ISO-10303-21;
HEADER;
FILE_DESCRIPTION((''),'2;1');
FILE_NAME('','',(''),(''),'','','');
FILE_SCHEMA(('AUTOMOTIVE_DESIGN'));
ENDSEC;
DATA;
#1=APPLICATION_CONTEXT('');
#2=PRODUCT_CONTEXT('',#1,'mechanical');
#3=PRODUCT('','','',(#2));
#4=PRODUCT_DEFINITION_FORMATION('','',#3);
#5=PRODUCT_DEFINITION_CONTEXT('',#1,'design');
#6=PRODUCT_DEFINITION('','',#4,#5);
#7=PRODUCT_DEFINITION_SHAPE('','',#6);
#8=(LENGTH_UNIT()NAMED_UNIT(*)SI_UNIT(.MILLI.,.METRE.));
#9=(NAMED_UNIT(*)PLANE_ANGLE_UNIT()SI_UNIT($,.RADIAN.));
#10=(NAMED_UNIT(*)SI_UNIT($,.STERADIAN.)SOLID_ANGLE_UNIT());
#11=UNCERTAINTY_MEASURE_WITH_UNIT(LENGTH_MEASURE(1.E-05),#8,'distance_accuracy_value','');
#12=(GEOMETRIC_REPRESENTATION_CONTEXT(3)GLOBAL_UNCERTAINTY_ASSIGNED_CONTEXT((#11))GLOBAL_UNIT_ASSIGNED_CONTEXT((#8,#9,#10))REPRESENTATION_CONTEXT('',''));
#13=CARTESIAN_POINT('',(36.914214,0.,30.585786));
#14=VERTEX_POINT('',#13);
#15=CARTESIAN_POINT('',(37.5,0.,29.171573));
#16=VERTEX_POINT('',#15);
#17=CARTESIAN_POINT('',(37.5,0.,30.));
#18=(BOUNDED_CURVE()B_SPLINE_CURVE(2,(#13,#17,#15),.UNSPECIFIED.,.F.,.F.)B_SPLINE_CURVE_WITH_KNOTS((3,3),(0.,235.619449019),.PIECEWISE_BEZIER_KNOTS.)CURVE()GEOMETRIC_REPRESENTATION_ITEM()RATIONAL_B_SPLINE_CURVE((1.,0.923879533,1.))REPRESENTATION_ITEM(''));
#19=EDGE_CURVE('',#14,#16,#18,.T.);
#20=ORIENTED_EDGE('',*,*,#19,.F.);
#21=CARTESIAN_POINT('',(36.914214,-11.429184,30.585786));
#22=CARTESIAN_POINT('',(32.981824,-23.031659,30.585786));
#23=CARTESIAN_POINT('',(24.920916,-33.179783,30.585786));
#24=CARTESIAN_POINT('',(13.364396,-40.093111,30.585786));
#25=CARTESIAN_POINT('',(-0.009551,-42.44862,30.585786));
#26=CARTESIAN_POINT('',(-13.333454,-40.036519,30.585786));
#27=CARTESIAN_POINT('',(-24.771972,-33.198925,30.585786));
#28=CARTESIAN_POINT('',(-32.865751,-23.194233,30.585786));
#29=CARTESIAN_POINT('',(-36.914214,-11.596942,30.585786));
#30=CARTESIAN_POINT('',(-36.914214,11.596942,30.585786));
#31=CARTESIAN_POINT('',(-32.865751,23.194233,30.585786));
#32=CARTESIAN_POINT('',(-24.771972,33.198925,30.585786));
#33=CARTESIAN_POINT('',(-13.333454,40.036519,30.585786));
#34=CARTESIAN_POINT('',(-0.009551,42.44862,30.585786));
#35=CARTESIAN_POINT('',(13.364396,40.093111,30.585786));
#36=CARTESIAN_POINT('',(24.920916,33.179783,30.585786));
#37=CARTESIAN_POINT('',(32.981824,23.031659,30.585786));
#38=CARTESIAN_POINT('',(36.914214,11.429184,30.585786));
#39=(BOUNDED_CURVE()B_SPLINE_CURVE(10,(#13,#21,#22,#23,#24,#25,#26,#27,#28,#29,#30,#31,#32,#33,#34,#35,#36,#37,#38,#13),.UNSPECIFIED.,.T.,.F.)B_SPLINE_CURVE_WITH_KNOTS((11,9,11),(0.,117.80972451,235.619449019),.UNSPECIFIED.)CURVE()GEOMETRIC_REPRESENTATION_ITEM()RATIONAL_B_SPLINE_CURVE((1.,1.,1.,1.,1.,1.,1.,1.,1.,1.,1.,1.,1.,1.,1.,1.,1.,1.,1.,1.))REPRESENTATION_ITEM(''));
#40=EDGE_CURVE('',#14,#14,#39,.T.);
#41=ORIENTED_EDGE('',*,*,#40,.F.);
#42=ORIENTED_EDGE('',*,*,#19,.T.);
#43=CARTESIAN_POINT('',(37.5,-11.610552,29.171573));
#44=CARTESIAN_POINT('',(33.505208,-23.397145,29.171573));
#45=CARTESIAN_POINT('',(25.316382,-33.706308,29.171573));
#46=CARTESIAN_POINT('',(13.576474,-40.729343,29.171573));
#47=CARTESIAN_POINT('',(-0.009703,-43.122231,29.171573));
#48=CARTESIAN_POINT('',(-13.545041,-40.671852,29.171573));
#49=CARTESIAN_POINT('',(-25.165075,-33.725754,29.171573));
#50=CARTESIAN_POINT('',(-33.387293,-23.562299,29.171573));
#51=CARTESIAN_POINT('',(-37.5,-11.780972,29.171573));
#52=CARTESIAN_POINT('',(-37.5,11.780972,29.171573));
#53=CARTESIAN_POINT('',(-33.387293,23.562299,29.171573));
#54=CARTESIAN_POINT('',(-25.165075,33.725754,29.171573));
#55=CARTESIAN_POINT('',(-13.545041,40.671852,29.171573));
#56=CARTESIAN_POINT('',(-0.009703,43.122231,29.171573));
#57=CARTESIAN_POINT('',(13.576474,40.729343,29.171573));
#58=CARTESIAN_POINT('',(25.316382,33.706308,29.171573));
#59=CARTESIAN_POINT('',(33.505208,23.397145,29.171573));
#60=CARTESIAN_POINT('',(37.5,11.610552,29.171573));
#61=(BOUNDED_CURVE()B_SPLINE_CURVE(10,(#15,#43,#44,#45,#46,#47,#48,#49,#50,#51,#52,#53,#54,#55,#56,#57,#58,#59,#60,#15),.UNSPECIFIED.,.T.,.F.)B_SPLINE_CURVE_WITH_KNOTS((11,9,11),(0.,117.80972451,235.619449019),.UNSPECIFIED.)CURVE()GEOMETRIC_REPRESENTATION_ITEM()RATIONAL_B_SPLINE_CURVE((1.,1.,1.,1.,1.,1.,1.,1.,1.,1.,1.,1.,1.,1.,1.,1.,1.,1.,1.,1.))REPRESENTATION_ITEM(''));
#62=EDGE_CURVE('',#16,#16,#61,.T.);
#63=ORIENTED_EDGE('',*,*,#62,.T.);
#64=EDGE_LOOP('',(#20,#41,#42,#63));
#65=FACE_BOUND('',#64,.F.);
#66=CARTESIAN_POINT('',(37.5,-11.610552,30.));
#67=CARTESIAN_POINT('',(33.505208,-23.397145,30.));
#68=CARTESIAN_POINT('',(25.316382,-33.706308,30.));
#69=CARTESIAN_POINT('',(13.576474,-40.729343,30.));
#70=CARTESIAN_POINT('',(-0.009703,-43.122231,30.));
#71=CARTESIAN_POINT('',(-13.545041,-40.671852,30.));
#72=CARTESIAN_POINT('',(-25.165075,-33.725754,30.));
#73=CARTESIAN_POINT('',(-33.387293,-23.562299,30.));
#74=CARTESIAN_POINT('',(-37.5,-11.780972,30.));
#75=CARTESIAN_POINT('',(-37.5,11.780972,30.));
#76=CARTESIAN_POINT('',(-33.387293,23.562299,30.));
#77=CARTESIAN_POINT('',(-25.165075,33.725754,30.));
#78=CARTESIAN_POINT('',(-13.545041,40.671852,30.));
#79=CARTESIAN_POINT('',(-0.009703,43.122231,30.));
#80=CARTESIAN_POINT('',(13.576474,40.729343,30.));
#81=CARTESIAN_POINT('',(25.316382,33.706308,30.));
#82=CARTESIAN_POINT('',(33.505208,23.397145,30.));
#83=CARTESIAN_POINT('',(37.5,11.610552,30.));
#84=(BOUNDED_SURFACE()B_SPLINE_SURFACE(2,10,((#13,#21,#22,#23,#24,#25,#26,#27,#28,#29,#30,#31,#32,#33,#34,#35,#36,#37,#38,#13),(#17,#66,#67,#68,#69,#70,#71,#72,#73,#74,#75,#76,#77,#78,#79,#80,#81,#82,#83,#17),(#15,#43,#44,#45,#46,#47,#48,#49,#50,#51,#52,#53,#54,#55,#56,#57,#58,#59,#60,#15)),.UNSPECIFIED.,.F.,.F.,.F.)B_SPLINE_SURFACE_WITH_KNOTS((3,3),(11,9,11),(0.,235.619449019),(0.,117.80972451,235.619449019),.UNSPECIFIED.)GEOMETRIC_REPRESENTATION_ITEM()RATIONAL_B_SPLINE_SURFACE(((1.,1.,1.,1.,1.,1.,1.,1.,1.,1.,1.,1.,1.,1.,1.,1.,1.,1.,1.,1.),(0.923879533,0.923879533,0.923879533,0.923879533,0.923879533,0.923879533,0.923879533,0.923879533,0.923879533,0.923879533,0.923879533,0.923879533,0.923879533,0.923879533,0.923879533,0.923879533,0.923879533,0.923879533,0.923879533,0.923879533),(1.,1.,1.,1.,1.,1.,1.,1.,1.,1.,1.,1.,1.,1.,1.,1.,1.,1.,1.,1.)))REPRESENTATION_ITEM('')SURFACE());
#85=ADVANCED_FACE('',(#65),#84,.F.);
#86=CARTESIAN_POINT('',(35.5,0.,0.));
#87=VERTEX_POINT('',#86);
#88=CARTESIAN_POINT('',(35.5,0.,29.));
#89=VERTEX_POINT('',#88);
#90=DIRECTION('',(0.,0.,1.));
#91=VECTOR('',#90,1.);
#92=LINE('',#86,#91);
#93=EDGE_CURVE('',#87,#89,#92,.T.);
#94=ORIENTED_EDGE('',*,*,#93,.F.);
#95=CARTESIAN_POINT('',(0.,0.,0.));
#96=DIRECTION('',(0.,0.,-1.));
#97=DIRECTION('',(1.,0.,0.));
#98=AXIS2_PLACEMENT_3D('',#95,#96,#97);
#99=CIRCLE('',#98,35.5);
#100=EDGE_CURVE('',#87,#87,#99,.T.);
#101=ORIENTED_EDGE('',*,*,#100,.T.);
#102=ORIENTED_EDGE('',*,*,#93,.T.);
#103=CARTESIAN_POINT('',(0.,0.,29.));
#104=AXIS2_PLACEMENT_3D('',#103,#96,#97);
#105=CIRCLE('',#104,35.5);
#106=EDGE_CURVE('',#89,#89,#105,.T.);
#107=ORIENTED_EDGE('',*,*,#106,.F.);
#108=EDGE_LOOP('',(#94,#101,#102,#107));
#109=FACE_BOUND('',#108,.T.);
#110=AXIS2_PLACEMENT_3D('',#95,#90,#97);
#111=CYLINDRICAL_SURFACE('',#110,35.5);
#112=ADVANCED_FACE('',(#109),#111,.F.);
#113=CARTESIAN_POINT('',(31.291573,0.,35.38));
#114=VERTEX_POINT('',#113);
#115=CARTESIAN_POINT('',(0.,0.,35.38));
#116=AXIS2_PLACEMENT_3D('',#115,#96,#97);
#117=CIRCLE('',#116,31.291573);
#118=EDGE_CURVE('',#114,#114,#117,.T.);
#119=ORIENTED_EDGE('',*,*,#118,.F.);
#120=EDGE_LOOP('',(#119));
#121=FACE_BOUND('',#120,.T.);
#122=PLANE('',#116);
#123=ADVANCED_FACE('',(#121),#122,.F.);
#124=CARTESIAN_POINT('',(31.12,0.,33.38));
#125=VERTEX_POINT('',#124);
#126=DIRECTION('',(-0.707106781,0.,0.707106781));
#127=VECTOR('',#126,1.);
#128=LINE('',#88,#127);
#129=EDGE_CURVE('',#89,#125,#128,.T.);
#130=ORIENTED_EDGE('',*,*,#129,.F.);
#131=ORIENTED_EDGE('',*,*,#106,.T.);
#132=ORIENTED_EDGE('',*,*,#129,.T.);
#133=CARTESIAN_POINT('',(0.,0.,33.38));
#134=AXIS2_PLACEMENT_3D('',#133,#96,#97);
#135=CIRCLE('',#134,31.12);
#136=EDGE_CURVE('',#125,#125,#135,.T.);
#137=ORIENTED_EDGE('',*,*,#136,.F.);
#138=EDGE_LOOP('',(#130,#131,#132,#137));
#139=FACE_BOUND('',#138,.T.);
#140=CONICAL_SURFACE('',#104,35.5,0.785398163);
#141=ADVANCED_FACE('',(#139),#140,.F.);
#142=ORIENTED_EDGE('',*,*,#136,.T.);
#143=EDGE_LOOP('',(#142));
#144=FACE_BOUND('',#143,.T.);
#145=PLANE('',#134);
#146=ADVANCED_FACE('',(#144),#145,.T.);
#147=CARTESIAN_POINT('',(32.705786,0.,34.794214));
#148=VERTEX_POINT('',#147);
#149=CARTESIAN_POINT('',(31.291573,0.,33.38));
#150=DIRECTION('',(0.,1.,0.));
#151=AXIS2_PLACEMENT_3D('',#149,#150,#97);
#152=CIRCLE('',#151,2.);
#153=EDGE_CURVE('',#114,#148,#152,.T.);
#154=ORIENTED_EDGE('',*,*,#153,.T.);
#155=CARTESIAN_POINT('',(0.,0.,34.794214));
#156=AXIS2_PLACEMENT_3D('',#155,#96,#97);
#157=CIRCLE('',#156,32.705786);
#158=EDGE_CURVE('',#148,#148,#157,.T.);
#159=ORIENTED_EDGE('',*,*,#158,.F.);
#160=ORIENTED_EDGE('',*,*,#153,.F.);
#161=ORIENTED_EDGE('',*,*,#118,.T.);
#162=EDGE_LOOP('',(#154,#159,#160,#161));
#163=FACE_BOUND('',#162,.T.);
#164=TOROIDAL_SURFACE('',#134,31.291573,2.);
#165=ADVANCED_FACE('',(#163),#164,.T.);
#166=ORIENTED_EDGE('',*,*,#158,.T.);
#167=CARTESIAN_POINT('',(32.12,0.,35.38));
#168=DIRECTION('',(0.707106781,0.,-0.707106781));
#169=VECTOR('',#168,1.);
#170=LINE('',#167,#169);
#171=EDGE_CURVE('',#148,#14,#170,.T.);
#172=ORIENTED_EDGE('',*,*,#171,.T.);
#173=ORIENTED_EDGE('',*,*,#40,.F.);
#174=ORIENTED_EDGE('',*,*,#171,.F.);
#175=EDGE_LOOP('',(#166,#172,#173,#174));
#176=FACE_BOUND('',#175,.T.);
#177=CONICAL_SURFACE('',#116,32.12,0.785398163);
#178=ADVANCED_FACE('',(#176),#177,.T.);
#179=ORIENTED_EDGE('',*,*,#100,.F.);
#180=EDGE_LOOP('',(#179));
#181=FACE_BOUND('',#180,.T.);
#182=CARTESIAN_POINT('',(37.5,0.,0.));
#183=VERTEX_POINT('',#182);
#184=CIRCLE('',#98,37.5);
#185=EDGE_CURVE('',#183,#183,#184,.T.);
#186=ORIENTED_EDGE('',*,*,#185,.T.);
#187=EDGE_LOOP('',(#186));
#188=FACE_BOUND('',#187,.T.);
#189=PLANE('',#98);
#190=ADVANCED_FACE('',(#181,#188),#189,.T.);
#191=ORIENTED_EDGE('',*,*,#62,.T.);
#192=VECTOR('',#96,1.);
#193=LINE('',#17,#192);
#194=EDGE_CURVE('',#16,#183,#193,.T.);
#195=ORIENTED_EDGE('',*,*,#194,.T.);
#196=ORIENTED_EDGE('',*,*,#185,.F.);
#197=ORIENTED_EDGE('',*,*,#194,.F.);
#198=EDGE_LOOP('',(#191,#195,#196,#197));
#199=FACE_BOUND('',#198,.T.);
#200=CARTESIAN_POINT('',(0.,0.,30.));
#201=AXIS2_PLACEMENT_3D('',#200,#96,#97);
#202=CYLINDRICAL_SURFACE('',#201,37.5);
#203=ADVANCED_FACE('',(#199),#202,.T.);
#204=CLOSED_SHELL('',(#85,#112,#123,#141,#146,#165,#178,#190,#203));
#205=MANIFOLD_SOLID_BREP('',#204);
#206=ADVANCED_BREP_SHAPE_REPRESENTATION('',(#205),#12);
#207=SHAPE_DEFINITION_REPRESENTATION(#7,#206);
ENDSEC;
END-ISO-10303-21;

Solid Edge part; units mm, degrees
sketch "Sketch1" plane through (0, 0, 0) normal (0, -1, 0) x (1, 0, 0)
  line L0 (37.5, 0) -> (35.5, 0)
  line L1 (35.5, 0) -> (35.5, 29)
  line L2 (35.5, 29) -> (31.12, 33.38)
  line L3 (31.12, 33.38) -> (0, 33.38)
  line L4 (0, 33.38) -> (0, 35.38)
  line L5 (0, 35.38) -> (32.12, 35.38)
  line L6 (32.12, 35.38) -> (37.5, 30)
  line L7 (37.5, 30) -> (37.5, 0)
  dimension "D1" = 37.5
  dimension "D2" = 30
  dimension "D3" = 2
  dimension "D4" = 1
revolve "RevolvedProtrusion1" add sketch "Sketch1" angle 360 about axis through (0, 0, 3.61) along (0, 0, -1)
fillet "Verrundung_1" radius 2 2 edges at (-32.12, 0, 35.38) (-37.5, 0, 30)
properties material "ABS-Plastik, mittlerer Anschlag"
